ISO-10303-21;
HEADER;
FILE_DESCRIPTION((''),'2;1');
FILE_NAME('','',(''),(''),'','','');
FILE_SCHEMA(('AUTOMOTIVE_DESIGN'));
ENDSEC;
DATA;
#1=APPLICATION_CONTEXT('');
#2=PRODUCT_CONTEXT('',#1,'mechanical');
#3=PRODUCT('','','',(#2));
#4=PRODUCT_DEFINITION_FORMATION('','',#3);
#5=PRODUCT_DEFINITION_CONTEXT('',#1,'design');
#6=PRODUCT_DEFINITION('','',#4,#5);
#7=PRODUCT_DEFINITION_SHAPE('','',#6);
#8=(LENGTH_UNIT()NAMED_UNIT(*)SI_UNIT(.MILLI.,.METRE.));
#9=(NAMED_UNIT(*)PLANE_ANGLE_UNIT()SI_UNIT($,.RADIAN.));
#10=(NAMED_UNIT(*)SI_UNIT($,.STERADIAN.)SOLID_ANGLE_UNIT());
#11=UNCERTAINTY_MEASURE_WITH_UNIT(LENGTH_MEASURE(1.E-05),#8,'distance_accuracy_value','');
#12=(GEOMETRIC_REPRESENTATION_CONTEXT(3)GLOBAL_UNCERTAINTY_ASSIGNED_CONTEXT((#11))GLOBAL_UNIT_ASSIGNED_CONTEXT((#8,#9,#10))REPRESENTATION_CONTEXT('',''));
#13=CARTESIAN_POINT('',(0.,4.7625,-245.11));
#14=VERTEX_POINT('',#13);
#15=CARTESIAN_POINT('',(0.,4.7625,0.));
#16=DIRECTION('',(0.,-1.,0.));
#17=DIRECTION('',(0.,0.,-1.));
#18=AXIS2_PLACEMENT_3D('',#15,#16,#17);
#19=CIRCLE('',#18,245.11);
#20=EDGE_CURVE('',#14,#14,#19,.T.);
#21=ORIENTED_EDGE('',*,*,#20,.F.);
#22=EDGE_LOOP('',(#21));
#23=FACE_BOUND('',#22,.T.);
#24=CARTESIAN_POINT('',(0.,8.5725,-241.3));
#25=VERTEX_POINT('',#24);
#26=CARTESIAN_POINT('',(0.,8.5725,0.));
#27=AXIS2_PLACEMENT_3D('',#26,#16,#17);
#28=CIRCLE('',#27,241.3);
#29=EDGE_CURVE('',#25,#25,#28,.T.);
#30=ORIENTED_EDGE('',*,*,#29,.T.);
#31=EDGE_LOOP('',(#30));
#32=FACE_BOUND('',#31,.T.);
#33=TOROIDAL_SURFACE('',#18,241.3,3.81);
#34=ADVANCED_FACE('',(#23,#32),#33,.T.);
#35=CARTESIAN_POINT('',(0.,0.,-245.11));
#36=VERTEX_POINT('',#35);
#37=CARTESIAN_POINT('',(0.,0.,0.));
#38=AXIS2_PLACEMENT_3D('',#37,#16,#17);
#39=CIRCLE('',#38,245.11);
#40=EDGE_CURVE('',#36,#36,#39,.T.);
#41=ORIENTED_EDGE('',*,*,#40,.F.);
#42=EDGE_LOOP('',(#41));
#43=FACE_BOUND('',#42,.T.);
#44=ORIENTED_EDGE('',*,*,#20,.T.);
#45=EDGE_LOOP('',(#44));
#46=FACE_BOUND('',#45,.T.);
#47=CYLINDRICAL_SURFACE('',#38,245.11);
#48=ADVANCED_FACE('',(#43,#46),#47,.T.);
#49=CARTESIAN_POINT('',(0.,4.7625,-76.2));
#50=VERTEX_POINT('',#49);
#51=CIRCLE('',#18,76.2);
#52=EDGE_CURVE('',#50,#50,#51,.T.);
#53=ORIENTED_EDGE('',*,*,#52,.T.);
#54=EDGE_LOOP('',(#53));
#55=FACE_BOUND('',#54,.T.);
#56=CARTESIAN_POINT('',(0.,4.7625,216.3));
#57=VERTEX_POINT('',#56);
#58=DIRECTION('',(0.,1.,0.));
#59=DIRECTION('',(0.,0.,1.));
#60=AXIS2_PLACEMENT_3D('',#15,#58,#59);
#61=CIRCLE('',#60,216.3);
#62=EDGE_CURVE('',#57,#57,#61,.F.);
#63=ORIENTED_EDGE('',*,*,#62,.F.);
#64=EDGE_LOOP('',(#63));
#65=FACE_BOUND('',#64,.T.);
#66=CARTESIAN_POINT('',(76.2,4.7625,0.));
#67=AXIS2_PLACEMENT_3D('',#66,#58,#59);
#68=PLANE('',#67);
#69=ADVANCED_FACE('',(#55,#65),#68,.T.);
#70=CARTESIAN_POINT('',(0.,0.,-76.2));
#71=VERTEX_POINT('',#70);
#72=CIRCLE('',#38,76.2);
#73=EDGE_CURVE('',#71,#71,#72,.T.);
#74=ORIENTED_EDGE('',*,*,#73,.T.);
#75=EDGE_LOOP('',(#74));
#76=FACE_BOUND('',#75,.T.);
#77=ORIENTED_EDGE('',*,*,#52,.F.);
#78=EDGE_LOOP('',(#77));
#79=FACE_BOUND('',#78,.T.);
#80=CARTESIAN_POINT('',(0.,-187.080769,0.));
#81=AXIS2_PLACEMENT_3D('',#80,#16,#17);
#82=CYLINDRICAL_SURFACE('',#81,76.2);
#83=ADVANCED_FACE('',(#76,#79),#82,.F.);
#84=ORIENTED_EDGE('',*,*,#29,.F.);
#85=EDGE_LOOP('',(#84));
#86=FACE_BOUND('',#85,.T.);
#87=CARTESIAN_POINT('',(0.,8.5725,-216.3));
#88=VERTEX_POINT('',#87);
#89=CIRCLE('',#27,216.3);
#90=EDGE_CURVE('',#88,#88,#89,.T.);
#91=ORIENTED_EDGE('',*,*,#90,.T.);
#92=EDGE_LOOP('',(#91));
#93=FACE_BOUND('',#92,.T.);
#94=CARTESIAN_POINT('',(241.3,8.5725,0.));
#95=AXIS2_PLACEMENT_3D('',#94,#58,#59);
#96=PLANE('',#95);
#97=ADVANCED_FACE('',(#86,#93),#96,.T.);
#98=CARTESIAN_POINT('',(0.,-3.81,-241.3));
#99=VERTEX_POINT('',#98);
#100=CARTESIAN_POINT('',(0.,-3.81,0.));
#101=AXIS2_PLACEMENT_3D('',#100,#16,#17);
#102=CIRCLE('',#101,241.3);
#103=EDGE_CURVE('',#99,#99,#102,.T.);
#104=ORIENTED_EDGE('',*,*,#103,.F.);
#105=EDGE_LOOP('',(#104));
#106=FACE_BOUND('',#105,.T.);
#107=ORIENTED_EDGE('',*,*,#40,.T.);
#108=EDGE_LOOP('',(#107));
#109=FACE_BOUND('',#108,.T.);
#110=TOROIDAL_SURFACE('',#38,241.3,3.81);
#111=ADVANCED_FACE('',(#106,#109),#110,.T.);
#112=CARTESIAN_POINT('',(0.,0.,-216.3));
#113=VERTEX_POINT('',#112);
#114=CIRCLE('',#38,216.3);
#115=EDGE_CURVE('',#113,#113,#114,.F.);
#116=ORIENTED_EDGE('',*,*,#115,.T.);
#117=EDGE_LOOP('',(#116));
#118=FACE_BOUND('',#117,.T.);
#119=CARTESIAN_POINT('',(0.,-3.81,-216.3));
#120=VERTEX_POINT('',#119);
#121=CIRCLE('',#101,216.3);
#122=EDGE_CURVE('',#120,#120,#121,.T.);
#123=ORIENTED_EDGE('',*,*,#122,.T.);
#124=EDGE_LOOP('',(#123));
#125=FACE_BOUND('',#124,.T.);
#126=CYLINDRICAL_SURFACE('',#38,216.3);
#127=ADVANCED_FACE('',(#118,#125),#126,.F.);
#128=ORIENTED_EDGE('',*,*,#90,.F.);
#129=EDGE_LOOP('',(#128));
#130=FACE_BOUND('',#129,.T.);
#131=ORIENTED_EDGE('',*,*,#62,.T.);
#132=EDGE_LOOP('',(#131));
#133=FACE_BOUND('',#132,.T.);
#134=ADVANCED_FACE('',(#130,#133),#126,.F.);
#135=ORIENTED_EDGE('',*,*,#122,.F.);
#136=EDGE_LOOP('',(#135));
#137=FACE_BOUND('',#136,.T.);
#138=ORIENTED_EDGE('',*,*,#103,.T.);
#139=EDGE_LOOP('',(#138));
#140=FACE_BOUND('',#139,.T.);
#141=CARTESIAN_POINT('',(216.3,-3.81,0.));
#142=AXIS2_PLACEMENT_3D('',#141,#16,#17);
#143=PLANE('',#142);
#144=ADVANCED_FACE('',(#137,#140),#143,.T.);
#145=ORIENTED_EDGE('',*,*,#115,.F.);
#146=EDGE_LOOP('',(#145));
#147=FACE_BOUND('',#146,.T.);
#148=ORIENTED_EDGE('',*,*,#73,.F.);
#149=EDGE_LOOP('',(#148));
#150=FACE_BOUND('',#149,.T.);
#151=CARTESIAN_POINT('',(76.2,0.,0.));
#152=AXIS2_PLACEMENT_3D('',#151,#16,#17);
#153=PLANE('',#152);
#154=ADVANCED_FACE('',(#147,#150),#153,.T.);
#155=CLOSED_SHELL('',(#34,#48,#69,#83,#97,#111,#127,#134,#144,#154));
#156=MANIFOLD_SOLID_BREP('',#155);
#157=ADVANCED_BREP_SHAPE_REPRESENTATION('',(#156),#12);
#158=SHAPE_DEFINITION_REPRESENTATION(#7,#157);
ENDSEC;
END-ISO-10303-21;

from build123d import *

# Parameters (mm, degrees)
SKETCH1_W = 165.1
SKETCH1_H = 4.7625


with BuildPart() as part:
    # Sketch1 → Revolve1 (revolve)
    with BuildSketch(Plane.XY, mode=Mode.PRIVATE) as revolve1_sk:
        with Locations((158.75, 2.38125)):
            Rectangle(SKETCH1_W, SKETCH1_H)
    revolve(revolve1_sk.sketch.rotate(Axis((0, -187.080769231, 0), (0, 1, 0)), 90), axis=Axis((0, -187.080769231, 0), (0, 1, 0)))

    # Sketch2 → Revolve2 (revolve)
    with BuildSketch(Plane.XY, mode=Mode.PRIVATE) as revolve2_sk:
        with BuildLine():
            Line((216.3, -3.81), (241.3, -3.81))
            ThreePointArc((241.3, -3.81), (243.994076836, -2.694076836), (245.11, 0))
            Line((245.11, 0), (245.11, 4.7625))
            ThreePointArc((245.11, 4.7625), (243.994076836, 7.456576836), (241.3, 8.5725))
            Line((241.3, 8.5725), (216.3, 8.5725))
            Line((216.3, 8.5725), (216.3, 4.7625))
            Line((216.3, 4.7625), (241.3, 4.7625))
            Line((241.3, 4.7625), (241.3, 0))
            Line((241.3, 0), (216.3, 0))
            Line((216.3, 0), (216.3, -3.81))
        make_face()
    revolve(revolve2_sk.sketch.rotate(Axis((0, 0, 0), (0, 1, 0)), 90), axis=Axis((0, 0, 0), (0, 1, 0)))


solid = part.part
